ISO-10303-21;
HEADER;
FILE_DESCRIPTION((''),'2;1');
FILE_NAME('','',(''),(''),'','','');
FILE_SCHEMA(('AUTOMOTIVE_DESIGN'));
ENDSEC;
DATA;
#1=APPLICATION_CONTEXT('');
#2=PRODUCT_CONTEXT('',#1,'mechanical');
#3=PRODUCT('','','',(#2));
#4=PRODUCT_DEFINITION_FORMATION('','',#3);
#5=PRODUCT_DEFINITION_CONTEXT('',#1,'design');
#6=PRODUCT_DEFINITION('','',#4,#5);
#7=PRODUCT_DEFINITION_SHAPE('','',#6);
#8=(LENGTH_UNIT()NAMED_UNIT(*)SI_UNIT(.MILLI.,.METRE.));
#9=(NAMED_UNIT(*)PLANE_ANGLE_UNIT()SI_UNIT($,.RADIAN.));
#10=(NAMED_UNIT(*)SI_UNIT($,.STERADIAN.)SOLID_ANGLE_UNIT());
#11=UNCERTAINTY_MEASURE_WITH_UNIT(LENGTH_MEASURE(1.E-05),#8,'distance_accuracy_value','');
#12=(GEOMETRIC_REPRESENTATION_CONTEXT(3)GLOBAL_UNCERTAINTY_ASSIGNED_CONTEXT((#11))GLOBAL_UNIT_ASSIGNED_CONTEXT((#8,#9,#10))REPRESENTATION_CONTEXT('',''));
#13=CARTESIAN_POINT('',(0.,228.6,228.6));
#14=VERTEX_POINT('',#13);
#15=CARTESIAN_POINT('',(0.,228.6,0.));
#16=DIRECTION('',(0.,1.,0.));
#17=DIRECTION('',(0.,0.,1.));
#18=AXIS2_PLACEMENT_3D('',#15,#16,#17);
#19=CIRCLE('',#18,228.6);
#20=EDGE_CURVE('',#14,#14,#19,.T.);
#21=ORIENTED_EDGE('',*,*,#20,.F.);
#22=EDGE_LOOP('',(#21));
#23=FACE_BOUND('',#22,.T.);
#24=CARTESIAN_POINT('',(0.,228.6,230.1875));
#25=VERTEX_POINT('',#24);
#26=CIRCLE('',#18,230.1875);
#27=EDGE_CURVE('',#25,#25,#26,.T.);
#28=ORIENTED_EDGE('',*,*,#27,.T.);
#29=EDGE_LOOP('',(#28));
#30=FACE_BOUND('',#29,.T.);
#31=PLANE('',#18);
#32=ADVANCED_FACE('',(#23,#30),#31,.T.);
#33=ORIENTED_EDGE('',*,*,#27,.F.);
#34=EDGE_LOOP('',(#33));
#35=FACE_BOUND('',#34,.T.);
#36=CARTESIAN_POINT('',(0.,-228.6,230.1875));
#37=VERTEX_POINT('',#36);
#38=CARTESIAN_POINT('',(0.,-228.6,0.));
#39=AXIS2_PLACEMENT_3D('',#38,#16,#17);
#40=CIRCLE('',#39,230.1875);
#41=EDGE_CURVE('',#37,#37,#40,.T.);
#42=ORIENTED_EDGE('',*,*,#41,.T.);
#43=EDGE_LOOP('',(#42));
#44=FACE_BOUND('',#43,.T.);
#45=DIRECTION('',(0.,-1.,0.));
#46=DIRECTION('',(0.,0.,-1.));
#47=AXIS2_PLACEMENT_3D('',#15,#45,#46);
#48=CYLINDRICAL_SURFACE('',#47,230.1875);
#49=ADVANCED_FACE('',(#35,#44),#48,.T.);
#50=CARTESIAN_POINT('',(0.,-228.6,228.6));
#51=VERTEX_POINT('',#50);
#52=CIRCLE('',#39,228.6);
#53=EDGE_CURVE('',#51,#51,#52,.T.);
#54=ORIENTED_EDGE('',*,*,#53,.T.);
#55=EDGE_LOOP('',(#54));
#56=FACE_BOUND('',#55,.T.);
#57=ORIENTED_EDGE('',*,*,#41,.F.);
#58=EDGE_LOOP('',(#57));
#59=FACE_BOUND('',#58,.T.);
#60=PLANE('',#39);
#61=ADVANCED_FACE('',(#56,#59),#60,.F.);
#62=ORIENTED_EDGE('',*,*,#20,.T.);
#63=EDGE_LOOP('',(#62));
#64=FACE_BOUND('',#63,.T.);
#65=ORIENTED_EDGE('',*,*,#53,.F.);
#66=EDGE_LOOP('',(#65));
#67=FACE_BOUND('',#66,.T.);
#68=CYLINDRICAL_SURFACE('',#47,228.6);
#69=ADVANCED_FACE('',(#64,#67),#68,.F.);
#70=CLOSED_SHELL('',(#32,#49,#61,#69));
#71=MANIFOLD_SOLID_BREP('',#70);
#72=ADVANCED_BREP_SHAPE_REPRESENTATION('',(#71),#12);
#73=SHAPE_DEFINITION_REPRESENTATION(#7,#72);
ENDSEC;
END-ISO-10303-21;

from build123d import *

# Parameters (mm, degrees)
SKETCH6_R           = 230.1875
SKETCH6_R_2         = 228.6
BOSS_EXTRUDE1_DEPTH = 228.6


with BuildPart() as part:
    # Sketch6 → Boss-Extrude1 (new body, symmetric)
    with BuildSketch(Plane(origin=(0, 0, 0), x_dir=(1, 0, 0), z_dir=(0, 1, 0))):
        Circle(SKETCH6_R)
        Circle(SKETCH6_R_2, mode=Mode.SUBTRACT)
    extrude(amount=BOSS_EXTRUDE1_DEPTH, both=True)


solid = part.part
